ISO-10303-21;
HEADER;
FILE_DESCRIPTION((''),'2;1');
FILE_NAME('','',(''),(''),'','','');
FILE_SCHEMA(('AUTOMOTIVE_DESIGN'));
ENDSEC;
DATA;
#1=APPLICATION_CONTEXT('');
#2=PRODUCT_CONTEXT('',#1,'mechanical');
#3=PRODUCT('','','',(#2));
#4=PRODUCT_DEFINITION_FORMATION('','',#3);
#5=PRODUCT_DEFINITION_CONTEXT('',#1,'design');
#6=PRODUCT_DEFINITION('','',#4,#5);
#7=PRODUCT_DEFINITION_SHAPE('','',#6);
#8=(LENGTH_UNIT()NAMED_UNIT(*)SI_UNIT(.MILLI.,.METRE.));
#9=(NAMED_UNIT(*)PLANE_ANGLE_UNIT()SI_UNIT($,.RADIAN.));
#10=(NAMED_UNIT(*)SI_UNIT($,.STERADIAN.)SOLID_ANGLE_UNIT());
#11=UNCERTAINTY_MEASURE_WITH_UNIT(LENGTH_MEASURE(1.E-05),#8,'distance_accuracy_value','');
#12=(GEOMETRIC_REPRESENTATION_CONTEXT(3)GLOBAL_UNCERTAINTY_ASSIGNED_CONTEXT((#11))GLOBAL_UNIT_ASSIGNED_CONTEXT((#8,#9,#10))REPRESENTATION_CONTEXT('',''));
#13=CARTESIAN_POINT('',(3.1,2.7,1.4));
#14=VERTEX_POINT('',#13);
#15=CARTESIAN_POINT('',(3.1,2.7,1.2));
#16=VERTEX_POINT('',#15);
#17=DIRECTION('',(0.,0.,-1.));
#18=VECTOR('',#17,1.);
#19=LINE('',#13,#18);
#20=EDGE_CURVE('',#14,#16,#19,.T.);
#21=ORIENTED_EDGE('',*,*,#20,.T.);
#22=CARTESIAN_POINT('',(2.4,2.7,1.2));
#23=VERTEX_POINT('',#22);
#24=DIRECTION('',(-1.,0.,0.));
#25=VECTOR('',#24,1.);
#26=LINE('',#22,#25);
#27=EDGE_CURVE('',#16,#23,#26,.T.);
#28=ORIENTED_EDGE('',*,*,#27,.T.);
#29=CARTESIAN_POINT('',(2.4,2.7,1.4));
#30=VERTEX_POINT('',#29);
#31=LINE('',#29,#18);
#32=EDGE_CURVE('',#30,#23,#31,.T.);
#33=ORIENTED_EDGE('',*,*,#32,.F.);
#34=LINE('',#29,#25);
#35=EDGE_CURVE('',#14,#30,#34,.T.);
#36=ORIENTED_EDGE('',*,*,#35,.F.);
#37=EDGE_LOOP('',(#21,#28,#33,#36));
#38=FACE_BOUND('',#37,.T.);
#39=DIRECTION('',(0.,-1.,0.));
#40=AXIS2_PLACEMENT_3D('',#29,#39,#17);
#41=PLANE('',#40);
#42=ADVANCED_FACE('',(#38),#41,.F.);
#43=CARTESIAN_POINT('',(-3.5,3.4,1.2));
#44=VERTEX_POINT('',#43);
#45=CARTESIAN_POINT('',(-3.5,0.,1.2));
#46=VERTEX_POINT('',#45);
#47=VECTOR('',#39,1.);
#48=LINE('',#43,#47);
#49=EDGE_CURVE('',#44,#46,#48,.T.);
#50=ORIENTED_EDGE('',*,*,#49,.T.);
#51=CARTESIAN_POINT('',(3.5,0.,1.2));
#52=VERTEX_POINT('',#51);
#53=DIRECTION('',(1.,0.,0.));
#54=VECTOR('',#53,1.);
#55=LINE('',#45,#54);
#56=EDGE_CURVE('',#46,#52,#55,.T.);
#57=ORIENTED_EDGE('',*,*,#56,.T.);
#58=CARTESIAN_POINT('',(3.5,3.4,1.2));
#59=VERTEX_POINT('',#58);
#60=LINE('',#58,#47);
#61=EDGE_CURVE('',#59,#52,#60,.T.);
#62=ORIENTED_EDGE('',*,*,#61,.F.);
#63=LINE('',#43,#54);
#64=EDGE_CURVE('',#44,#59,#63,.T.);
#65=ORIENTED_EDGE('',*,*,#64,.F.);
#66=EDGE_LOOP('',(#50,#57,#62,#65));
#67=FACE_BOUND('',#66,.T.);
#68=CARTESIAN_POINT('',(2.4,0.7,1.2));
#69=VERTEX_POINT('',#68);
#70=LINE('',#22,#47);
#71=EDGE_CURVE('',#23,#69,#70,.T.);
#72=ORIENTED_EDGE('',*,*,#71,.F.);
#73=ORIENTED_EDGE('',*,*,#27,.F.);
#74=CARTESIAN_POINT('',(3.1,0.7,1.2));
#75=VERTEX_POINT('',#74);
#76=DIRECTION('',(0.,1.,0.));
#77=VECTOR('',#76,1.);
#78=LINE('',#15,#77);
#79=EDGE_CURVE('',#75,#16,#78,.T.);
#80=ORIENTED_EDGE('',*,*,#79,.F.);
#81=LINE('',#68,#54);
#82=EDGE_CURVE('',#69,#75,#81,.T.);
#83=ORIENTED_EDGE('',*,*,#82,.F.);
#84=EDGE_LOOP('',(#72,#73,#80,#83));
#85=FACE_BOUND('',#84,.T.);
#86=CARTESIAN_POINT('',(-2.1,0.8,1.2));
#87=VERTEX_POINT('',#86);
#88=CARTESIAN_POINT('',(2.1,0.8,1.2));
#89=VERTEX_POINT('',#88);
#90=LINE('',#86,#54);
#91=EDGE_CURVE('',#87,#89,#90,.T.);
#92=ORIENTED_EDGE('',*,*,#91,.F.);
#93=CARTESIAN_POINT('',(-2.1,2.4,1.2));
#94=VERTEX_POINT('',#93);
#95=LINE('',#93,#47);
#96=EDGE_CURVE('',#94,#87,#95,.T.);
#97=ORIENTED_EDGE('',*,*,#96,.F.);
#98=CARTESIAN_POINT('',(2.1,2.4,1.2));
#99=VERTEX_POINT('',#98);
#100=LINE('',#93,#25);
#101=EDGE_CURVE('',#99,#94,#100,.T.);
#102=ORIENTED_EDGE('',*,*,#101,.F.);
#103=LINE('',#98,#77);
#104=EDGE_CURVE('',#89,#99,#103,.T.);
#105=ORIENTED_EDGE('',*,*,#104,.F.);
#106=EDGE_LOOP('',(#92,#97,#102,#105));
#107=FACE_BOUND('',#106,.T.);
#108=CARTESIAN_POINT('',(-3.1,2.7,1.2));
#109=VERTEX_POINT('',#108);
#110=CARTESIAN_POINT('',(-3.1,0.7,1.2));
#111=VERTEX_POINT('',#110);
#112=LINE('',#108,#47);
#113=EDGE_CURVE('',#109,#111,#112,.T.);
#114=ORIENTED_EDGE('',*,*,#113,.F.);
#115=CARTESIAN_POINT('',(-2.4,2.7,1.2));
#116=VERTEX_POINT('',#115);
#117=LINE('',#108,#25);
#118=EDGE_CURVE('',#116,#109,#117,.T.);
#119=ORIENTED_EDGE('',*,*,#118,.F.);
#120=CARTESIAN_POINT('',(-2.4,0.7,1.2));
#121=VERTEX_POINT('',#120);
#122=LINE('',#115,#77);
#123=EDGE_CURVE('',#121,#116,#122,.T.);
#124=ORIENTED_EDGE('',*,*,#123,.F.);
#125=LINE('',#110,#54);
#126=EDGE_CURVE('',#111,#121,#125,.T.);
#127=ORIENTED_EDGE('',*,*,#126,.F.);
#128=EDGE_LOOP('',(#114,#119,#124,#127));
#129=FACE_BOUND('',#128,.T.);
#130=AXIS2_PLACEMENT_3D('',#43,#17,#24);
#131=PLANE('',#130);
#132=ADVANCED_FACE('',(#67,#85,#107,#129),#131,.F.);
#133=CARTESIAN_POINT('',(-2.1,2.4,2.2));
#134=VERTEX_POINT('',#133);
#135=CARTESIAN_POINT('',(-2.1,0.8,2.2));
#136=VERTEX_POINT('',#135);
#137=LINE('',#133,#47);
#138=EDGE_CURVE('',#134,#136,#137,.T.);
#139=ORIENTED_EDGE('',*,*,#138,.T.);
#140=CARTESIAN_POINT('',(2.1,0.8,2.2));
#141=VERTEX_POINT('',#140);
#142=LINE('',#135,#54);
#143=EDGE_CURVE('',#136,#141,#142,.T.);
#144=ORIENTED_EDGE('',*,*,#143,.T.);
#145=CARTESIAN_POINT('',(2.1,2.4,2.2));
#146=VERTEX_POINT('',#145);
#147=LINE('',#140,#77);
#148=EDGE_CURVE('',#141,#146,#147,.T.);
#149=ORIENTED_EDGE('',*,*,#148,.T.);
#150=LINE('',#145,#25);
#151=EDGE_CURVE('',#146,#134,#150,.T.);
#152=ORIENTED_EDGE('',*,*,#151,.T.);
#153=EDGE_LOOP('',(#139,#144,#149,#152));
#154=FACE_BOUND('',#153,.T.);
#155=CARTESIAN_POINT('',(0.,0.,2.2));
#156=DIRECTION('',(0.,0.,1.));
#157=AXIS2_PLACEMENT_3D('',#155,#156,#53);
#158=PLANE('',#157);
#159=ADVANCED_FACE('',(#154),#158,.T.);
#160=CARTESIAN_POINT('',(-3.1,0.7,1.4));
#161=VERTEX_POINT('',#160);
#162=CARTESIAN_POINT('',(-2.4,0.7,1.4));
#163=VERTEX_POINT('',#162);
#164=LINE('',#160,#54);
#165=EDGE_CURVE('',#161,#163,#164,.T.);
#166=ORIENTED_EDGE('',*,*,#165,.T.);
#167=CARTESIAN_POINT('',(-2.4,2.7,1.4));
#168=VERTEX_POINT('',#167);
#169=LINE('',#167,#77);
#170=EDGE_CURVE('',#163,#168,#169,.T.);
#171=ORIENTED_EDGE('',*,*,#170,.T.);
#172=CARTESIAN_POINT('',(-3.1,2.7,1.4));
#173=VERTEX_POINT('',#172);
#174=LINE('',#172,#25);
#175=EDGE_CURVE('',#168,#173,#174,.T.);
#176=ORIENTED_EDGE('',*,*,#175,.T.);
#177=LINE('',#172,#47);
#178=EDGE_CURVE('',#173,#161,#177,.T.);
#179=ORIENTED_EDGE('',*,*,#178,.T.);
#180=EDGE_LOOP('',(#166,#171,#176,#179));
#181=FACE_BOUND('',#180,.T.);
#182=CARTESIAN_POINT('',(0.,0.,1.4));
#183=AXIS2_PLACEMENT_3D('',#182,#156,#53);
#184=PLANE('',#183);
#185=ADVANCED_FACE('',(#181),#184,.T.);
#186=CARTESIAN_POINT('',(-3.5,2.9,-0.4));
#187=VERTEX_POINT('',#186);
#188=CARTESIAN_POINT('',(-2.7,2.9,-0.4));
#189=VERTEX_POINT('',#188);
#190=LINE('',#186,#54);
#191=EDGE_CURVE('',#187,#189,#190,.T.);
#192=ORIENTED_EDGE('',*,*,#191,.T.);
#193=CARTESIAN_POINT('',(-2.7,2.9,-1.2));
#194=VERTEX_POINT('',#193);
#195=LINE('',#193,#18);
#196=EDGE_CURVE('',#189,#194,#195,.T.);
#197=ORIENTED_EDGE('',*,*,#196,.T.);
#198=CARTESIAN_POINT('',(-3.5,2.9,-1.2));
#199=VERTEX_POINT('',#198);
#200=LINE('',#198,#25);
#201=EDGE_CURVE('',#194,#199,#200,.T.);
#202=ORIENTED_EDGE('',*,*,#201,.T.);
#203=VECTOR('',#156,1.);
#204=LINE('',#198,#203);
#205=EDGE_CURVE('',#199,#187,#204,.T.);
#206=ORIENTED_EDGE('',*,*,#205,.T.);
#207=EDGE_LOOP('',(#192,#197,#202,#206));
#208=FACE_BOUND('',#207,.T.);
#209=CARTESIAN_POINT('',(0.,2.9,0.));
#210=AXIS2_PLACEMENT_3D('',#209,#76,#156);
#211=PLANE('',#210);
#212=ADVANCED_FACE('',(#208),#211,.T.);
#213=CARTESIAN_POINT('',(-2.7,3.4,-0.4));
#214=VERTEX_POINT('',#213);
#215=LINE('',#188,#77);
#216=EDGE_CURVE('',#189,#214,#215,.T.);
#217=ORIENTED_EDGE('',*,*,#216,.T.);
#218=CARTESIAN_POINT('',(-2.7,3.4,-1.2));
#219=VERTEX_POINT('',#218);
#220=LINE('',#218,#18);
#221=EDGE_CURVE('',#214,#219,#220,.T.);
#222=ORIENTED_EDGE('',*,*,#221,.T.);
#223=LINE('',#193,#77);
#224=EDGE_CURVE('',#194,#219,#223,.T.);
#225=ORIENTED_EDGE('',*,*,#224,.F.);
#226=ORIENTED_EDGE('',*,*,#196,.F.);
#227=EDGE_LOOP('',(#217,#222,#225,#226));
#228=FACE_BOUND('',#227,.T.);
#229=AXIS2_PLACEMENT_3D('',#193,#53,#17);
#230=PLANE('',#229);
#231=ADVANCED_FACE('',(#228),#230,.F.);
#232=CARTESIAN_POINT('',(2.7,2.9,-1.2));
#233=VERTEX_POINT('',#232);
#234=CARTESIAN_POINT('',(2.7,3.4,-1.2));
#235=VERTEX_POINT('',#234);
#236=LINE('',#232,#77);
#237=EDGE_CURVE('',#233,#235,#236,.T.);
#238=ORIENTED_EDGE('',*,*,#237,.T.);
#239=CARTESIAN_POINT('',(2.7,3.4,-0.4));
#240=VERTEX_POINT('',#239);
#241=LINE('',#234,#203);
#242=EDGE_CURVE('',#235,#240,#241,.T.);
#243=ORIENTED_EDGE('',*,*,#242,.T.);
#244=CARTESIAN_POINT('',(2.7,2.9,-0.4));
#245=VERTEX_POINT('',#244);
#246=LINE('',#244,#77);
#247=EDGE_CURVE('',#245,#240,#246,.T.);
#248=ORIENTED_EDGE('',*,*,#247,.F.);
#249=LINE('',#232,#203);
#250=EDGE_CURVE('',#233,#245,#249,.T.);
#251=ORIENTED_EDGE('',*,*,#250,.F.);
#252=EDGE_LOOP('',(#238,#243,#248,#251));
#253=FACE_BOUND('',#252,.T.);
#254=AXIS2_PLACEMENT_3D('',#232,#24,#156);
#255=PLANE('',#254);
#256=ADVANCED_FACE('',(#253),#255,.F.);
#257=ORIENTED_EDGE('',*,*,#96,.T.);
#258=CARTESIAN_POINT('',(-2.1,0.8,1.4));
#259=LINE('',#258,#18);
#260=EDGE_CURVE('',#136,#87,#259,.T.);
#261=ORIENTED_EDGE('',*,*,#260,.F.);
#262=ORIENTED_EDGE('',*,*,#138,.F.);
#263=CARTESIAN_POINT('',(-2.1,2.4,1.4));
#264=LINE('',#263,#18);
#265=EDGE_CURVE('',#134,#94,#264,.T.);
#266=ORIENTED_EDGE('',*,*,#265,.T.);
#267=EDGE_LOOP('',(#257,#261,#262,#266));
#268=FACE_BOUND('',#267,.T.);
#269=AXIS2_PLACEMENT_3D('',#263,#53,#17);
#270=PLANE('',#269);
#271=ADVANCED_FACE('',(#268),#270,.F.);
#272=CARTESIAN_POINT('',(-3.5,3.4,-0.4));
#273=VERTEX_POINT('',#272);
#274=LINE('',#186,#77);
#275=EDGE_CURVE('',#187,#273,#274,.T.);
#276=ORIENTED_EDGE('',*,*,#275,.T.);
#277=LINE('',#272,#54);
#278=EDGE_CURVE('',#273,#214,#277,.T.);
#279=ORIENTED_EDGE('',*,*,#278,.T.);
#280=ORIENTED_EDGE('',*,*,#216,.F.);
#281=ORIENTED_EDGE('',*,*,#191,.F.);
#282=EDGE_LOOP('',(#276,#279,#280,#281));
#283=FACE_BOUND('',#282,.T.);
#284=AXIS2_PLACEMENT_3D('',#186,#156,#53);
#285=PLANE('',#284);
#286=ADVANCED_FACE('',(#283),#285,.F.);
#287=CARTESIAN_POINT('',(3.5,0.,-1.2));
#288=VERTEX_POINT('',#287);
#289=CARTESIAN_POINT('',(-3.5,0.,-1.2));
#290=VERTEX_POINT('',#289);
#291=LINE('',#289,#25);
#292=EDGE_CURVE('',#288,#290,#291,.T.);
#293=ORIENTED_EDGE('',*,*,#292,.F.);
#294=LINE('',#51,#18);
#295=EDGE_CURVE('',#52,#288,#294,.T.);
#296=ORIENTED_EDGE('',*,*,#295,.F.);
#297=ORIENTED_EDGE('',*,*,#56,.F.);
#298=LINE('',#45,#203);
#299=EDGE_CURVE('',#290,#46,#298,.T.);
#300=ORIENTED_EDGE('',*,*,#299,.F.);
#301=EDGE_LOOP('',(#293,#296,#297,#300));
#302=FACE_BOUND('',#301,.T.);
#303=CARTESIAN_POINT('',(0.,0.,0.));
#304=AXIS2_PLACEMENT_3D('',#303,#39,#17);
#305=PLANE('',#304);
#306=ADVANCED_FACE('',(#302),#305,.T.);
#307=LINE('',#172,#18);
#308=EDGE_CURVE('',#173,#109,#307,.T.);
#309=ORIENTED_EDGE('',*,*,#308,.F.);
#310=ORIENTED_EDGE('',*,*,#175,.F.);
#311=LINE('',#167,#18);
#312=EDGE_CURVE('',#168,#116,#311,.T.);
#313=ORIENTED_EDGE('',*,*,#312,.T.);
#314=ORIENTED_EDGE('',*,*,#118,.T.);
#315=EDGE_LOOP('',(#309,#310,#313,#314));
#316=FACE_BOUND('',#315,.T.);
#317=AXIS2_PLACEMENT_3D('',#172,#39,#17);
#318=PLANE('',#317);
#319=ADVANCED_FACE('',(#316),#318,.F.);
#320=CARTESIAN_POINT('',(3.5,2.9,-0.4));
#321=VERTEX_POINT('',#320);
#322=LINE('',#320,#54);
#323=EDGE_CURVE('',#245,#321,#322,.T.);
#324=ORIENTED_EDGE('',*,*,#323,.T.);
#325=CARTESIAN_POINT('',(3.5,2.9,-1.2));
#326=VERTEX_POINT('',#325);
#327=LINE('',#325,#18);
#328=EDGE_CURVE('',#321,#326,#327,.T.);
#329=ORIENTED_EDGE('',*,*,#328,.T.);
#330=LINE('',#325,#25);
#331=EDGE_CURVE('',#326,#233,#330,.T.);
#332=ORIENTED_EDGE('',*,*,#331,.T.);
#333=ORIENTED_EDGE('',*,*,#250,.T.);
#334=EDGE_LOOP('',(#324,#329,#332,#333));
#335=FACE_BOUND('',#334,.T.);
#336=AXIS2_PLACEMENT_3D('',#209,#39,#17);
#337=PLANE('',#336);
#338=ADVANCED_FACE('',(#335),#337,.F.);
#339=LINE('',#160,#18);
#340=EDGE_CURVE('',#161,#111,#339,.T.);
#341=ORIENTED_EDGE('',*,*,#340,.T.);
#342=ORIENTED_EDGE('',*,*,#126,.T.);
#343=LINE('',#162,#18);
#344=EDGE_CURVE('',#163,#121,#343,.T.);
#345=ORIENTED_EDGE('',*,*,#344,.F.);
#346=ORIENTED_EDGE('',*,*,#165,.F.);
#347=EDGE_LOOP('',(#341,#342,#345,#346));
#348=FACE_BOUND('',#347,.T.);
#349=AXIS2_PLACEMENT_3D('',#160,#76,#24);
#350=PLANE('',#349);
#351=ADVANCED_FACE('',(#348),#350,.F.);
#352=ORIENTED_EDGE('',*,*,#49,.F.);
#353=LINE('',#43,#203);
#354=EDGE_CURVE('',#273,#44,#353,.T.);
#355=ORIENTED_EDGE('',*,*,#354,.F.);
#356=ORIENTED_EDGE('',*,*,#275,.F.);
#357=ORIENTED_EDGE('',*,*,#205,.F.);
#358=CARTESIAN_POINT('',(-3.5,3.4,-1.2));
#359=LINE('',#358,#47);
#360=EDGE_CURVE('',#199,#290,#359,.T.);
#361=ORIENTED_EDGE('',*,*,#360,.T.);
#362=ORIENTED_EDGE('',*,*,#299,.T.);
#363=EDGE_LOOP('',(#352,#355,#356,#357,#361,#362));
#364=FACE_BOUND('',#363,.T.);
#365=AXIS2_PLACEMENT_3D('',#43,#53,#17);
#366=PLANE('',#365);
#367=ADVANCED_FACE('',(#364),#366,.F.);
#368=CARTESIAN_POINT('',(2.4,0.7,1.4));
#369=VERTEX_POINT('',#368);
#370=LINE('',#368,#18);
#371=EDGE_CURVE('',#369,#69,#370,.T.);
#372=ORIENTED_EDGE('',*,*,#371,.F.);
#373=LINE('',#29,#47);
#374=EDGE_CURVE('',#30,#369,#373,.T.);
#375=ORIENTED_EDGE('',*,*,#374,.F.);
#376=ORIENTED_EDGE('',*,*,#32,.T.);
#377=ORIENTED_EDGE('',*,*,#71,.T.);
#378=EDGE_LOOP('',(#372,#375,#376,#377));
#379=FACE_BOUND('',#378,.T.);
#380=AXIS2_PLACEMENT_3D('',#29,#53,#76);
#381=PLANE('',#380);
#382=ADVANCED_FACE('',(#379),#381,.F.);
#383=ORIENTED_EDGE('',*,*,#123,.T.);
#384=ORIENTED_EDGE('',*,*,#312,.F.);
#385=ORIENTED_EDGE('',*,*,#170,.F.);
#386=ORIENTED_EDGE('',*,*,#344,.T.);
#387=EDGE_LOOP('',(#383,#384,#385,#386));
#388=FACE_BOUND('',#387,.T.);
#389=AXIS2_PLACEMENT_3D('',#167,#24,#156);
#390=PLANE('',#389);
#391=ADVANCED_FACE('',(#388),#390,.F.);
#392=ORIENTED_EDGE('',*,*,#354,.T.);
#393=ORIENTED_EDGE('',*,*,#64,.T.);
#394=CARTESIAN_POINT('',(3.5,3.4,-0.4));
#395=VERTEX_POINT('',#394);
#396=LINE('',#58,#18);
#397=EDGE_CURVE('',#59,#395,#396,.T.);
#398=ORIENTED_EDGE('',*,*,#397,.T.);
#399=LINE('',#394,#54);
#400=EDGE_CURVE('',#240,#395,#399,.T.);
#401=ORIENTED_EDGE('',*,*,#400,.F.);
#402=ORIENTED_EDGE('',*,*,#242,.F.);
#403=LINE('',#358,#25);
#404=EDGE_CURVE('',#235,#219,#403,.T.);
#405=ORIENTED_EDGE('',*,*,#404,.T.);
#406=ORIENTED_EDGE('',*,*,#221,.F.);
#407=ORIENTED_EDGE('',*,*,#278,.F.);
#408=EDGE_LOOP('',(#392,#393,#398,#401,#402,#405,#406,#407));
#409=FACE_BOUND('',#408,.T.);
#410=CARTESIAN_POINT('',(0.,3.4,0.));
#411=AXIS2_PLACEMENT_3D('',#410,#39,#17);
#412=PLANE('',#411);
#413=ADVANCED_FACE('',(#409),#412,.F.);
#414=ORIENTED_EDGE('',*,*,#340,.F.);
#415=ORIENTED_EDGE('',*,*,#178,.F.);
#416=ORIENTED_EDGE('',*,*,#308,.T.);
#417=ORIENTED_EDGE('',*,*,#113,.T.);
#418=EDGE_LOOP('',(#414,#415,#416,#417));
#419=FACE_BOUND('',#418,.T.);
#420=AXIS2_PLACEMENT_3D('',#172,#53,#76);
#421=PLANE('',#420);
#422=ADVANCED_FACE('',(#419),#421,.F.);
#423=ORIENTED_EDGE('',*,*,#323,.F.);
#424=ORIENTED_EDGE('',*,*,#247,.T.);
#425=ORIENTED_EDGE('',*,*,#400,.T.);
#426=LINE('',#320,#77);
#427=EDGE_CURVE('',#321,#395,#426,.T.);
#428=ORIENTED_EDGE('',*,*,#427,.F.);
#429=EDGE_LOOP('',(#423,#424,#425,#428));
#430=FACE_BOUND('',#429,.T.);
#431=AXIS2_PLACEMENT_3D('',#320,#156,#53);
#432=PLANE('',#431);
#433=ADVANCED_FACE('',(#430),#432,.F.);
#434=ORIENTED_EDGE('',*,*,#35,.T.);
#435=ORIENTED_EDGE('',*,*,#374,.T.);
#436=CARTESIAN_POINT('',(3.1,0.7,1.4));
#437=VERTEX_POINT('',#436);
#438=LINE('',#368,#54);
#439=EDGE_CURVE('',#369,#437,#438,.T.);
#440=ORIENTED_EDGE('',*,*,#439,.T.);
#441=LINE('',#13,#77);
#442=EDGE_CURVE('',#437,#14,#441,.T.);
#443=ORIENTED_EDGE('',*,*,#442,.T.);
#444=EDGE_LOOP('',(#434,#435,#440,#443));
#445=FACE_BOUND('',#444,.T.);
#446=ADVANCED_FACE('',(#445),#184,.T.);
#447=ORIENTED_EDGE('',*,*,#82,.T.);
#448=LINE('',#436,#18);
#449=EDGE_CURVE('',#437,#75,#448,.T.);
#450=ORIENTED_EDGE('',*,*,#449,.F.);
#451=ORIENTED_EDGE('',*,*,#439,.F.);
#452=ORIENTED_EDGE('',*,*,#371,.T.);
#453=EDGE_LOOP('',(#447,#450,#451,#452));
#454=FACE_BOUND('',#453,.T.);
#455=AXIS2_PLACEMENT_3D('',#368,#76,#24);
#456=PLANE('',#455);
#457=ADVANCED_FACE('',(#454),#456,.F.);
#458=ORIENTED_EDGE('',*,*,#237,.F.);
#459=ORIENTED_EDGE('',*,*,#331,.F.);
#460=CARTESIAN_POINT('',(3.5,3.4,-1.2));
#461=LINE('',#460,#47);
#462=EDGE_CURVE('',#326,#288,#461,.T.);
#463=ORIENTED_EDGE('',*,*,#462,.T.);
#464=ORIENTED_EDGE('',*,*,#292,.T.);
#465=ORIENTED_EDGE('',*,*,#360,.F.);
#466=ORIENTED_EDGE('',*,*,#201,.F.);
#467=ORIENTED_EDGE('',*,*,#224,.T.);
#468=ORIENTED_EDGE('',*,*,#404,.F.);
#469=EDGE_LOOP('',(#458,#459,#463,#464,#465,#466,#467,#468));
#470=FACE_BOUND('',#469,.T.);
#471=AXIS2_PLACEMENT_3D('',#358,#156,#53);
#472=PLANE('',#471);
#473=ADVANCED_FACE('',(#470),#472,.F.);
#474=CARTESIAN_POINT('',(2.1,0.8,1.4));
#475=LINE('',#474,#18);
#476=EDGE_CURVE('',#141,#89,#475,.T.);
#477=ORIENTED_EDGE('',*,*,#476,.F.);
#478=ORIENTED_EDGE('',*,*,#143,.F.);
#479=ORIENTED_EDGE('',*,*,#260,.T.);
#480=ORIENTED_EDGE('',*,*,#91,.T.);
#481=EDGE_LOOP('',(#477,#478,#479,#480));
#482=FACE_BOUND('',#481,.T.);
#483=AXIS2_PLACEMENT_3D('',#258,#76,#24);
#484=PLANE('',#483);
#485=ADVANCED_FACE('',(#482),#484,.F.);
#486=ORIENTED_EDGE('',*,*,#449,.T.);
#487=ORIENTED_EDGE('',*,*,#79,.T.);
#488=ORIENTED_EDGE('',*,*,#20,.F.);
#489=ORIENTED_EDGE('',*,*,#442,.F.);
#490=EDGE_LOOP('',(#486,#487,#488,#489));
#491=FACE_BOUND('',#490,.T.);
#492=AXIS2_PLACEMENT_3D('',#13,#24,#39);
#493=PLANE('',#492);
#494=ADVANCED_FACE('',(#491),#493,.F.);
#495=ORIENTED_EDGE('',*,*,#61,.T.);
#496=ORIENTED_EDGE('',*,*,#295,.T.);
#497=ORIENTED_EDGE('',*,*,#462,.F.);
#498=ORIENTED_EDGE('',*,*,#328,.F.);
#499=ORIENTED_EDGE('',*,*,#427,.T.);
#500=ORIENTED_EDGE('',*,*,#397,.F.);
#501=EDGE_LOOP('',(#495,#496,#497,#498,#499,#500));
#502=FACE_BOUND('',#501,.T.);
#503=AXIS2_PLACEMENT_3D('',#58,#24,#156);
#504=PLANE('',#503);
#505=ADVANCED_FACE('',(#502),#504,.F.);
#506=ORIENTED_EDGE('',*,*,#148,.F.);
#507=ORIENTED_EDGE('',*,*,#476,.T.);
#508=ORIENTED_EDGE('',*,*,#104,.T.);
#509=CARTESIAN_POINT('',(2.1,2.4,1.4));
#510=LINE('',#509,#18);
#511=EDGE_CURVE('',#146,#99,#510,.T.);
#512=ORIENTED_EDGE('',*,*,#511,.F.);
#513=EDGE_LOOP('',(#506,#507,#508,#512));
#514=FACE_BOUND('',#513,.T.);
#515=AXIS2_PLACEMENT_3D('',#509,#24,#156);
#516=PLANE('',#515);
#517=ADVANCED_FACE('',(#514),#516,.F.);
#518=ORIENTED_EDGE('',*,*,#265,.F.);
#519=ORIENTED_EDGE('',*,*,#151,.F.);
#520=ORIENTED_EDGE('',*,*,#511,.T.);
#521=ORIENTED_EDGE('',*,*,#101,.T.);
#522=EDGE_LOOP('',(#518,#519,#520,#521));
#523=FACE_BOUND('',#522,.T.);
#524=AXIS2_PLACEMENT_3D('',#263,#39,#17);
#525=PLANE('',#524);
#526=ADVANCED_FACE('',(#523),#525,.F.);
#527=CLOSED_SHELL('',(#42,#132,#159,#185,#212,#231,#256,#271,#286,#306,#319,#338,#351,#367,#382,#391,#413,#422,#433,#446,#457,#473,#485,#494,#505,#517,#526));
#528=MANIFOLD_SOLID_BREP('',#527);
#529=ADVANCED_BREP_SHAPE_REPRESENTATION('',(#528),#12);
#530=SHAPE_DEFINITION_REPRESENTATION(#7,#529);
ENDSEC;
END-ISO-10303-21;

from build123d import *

# Parameters (mm, degrees)
ESQUISSE1_W             = 7
ESQUISSE1_H             = 2.4
BOSS_EXTRU_1_DEPTH      = 3.4
ESQUISSE2_W             = 0.8
ESQUISSE2_H             = 0.8
ENL_V_MAT_EXTRU_1_DEPTH = 0.5
ESQUISSE3_W             = 0.7
ESQUISSE3_H             = 2
ESQUISSE3_W_2           = 4.2
ESQUISSE3_H_2           = 1.6
BOSS_EXTRU_2_DEPTH      = 0.2
ESQUISSE4_W             = 4.2
ESQUISSE4_H             = 1.6
BOSS_EXTRU_3_DEPTH      = 0.8


with BuildPart() as part:
    # Esquisse1 → Boss.-Extru.1 (new body)
    with BuildSketch(Plane(origin=(0, 0, 0), x_dir=(1, 0, 0), z_dir=(0, 1, 0))):
        Rectangle(ESQUISSE1_W, ESQUISSE1_H)
    extrude(amount=BOSS_EXTRU_1_DEPTH)

    # Esquisse2 → Enlèv. mat.-Extru.1 (cut)
    with BuildSketch(Plane(origin=(0, 3.4, 0), x_dir=(1, 0, 0), z_dir=(0, 1, 0))):
        with Locations((-3.1, 0.8)):
            Rectangle(ESQUISSE2_W, ESQUISSE2_H)
        with Locations((3.1, 0.8)):
            Rectangle(ESQUISSE2_W, ESQUISSE2_H)
    extrude(amount=-ENL_V_MAT_EXTRU_1_DEPTH, mode=Mode.SUBTRACT)

    # Esquisse3 → Boss.-Extru.2 (add)
    with BuildSketch(Plane.XY.offset(1.2)):
        with Locations((-2.75, 1.7)):
            Rectangle(ESQUISSE3_W, ESQUISSE3_H)
        with Locations((0, 1.6)):
            Rectangle(ESQUISSE3_W_2, ESQUISSE3_H_2)
        with Locations((2.75, 1.7)):
            Rectangle(ESQUISSE3_W, ESQUISSE3_H)
    extrude(amount=BOSS_EXTRU_2_DEPTH)

    # Esquisse4 → Boss.-Extru.3 (add)
    with BuildSketch(Plane.XY.offset(1.4)):
        with Locations((0, 1.6)):
            Rectangle(ESQUISSE4_W, ESQUISSE4_H)
    extrude(amount=BOSS_EXTRU_3_DEPTH)


solid = part.part
